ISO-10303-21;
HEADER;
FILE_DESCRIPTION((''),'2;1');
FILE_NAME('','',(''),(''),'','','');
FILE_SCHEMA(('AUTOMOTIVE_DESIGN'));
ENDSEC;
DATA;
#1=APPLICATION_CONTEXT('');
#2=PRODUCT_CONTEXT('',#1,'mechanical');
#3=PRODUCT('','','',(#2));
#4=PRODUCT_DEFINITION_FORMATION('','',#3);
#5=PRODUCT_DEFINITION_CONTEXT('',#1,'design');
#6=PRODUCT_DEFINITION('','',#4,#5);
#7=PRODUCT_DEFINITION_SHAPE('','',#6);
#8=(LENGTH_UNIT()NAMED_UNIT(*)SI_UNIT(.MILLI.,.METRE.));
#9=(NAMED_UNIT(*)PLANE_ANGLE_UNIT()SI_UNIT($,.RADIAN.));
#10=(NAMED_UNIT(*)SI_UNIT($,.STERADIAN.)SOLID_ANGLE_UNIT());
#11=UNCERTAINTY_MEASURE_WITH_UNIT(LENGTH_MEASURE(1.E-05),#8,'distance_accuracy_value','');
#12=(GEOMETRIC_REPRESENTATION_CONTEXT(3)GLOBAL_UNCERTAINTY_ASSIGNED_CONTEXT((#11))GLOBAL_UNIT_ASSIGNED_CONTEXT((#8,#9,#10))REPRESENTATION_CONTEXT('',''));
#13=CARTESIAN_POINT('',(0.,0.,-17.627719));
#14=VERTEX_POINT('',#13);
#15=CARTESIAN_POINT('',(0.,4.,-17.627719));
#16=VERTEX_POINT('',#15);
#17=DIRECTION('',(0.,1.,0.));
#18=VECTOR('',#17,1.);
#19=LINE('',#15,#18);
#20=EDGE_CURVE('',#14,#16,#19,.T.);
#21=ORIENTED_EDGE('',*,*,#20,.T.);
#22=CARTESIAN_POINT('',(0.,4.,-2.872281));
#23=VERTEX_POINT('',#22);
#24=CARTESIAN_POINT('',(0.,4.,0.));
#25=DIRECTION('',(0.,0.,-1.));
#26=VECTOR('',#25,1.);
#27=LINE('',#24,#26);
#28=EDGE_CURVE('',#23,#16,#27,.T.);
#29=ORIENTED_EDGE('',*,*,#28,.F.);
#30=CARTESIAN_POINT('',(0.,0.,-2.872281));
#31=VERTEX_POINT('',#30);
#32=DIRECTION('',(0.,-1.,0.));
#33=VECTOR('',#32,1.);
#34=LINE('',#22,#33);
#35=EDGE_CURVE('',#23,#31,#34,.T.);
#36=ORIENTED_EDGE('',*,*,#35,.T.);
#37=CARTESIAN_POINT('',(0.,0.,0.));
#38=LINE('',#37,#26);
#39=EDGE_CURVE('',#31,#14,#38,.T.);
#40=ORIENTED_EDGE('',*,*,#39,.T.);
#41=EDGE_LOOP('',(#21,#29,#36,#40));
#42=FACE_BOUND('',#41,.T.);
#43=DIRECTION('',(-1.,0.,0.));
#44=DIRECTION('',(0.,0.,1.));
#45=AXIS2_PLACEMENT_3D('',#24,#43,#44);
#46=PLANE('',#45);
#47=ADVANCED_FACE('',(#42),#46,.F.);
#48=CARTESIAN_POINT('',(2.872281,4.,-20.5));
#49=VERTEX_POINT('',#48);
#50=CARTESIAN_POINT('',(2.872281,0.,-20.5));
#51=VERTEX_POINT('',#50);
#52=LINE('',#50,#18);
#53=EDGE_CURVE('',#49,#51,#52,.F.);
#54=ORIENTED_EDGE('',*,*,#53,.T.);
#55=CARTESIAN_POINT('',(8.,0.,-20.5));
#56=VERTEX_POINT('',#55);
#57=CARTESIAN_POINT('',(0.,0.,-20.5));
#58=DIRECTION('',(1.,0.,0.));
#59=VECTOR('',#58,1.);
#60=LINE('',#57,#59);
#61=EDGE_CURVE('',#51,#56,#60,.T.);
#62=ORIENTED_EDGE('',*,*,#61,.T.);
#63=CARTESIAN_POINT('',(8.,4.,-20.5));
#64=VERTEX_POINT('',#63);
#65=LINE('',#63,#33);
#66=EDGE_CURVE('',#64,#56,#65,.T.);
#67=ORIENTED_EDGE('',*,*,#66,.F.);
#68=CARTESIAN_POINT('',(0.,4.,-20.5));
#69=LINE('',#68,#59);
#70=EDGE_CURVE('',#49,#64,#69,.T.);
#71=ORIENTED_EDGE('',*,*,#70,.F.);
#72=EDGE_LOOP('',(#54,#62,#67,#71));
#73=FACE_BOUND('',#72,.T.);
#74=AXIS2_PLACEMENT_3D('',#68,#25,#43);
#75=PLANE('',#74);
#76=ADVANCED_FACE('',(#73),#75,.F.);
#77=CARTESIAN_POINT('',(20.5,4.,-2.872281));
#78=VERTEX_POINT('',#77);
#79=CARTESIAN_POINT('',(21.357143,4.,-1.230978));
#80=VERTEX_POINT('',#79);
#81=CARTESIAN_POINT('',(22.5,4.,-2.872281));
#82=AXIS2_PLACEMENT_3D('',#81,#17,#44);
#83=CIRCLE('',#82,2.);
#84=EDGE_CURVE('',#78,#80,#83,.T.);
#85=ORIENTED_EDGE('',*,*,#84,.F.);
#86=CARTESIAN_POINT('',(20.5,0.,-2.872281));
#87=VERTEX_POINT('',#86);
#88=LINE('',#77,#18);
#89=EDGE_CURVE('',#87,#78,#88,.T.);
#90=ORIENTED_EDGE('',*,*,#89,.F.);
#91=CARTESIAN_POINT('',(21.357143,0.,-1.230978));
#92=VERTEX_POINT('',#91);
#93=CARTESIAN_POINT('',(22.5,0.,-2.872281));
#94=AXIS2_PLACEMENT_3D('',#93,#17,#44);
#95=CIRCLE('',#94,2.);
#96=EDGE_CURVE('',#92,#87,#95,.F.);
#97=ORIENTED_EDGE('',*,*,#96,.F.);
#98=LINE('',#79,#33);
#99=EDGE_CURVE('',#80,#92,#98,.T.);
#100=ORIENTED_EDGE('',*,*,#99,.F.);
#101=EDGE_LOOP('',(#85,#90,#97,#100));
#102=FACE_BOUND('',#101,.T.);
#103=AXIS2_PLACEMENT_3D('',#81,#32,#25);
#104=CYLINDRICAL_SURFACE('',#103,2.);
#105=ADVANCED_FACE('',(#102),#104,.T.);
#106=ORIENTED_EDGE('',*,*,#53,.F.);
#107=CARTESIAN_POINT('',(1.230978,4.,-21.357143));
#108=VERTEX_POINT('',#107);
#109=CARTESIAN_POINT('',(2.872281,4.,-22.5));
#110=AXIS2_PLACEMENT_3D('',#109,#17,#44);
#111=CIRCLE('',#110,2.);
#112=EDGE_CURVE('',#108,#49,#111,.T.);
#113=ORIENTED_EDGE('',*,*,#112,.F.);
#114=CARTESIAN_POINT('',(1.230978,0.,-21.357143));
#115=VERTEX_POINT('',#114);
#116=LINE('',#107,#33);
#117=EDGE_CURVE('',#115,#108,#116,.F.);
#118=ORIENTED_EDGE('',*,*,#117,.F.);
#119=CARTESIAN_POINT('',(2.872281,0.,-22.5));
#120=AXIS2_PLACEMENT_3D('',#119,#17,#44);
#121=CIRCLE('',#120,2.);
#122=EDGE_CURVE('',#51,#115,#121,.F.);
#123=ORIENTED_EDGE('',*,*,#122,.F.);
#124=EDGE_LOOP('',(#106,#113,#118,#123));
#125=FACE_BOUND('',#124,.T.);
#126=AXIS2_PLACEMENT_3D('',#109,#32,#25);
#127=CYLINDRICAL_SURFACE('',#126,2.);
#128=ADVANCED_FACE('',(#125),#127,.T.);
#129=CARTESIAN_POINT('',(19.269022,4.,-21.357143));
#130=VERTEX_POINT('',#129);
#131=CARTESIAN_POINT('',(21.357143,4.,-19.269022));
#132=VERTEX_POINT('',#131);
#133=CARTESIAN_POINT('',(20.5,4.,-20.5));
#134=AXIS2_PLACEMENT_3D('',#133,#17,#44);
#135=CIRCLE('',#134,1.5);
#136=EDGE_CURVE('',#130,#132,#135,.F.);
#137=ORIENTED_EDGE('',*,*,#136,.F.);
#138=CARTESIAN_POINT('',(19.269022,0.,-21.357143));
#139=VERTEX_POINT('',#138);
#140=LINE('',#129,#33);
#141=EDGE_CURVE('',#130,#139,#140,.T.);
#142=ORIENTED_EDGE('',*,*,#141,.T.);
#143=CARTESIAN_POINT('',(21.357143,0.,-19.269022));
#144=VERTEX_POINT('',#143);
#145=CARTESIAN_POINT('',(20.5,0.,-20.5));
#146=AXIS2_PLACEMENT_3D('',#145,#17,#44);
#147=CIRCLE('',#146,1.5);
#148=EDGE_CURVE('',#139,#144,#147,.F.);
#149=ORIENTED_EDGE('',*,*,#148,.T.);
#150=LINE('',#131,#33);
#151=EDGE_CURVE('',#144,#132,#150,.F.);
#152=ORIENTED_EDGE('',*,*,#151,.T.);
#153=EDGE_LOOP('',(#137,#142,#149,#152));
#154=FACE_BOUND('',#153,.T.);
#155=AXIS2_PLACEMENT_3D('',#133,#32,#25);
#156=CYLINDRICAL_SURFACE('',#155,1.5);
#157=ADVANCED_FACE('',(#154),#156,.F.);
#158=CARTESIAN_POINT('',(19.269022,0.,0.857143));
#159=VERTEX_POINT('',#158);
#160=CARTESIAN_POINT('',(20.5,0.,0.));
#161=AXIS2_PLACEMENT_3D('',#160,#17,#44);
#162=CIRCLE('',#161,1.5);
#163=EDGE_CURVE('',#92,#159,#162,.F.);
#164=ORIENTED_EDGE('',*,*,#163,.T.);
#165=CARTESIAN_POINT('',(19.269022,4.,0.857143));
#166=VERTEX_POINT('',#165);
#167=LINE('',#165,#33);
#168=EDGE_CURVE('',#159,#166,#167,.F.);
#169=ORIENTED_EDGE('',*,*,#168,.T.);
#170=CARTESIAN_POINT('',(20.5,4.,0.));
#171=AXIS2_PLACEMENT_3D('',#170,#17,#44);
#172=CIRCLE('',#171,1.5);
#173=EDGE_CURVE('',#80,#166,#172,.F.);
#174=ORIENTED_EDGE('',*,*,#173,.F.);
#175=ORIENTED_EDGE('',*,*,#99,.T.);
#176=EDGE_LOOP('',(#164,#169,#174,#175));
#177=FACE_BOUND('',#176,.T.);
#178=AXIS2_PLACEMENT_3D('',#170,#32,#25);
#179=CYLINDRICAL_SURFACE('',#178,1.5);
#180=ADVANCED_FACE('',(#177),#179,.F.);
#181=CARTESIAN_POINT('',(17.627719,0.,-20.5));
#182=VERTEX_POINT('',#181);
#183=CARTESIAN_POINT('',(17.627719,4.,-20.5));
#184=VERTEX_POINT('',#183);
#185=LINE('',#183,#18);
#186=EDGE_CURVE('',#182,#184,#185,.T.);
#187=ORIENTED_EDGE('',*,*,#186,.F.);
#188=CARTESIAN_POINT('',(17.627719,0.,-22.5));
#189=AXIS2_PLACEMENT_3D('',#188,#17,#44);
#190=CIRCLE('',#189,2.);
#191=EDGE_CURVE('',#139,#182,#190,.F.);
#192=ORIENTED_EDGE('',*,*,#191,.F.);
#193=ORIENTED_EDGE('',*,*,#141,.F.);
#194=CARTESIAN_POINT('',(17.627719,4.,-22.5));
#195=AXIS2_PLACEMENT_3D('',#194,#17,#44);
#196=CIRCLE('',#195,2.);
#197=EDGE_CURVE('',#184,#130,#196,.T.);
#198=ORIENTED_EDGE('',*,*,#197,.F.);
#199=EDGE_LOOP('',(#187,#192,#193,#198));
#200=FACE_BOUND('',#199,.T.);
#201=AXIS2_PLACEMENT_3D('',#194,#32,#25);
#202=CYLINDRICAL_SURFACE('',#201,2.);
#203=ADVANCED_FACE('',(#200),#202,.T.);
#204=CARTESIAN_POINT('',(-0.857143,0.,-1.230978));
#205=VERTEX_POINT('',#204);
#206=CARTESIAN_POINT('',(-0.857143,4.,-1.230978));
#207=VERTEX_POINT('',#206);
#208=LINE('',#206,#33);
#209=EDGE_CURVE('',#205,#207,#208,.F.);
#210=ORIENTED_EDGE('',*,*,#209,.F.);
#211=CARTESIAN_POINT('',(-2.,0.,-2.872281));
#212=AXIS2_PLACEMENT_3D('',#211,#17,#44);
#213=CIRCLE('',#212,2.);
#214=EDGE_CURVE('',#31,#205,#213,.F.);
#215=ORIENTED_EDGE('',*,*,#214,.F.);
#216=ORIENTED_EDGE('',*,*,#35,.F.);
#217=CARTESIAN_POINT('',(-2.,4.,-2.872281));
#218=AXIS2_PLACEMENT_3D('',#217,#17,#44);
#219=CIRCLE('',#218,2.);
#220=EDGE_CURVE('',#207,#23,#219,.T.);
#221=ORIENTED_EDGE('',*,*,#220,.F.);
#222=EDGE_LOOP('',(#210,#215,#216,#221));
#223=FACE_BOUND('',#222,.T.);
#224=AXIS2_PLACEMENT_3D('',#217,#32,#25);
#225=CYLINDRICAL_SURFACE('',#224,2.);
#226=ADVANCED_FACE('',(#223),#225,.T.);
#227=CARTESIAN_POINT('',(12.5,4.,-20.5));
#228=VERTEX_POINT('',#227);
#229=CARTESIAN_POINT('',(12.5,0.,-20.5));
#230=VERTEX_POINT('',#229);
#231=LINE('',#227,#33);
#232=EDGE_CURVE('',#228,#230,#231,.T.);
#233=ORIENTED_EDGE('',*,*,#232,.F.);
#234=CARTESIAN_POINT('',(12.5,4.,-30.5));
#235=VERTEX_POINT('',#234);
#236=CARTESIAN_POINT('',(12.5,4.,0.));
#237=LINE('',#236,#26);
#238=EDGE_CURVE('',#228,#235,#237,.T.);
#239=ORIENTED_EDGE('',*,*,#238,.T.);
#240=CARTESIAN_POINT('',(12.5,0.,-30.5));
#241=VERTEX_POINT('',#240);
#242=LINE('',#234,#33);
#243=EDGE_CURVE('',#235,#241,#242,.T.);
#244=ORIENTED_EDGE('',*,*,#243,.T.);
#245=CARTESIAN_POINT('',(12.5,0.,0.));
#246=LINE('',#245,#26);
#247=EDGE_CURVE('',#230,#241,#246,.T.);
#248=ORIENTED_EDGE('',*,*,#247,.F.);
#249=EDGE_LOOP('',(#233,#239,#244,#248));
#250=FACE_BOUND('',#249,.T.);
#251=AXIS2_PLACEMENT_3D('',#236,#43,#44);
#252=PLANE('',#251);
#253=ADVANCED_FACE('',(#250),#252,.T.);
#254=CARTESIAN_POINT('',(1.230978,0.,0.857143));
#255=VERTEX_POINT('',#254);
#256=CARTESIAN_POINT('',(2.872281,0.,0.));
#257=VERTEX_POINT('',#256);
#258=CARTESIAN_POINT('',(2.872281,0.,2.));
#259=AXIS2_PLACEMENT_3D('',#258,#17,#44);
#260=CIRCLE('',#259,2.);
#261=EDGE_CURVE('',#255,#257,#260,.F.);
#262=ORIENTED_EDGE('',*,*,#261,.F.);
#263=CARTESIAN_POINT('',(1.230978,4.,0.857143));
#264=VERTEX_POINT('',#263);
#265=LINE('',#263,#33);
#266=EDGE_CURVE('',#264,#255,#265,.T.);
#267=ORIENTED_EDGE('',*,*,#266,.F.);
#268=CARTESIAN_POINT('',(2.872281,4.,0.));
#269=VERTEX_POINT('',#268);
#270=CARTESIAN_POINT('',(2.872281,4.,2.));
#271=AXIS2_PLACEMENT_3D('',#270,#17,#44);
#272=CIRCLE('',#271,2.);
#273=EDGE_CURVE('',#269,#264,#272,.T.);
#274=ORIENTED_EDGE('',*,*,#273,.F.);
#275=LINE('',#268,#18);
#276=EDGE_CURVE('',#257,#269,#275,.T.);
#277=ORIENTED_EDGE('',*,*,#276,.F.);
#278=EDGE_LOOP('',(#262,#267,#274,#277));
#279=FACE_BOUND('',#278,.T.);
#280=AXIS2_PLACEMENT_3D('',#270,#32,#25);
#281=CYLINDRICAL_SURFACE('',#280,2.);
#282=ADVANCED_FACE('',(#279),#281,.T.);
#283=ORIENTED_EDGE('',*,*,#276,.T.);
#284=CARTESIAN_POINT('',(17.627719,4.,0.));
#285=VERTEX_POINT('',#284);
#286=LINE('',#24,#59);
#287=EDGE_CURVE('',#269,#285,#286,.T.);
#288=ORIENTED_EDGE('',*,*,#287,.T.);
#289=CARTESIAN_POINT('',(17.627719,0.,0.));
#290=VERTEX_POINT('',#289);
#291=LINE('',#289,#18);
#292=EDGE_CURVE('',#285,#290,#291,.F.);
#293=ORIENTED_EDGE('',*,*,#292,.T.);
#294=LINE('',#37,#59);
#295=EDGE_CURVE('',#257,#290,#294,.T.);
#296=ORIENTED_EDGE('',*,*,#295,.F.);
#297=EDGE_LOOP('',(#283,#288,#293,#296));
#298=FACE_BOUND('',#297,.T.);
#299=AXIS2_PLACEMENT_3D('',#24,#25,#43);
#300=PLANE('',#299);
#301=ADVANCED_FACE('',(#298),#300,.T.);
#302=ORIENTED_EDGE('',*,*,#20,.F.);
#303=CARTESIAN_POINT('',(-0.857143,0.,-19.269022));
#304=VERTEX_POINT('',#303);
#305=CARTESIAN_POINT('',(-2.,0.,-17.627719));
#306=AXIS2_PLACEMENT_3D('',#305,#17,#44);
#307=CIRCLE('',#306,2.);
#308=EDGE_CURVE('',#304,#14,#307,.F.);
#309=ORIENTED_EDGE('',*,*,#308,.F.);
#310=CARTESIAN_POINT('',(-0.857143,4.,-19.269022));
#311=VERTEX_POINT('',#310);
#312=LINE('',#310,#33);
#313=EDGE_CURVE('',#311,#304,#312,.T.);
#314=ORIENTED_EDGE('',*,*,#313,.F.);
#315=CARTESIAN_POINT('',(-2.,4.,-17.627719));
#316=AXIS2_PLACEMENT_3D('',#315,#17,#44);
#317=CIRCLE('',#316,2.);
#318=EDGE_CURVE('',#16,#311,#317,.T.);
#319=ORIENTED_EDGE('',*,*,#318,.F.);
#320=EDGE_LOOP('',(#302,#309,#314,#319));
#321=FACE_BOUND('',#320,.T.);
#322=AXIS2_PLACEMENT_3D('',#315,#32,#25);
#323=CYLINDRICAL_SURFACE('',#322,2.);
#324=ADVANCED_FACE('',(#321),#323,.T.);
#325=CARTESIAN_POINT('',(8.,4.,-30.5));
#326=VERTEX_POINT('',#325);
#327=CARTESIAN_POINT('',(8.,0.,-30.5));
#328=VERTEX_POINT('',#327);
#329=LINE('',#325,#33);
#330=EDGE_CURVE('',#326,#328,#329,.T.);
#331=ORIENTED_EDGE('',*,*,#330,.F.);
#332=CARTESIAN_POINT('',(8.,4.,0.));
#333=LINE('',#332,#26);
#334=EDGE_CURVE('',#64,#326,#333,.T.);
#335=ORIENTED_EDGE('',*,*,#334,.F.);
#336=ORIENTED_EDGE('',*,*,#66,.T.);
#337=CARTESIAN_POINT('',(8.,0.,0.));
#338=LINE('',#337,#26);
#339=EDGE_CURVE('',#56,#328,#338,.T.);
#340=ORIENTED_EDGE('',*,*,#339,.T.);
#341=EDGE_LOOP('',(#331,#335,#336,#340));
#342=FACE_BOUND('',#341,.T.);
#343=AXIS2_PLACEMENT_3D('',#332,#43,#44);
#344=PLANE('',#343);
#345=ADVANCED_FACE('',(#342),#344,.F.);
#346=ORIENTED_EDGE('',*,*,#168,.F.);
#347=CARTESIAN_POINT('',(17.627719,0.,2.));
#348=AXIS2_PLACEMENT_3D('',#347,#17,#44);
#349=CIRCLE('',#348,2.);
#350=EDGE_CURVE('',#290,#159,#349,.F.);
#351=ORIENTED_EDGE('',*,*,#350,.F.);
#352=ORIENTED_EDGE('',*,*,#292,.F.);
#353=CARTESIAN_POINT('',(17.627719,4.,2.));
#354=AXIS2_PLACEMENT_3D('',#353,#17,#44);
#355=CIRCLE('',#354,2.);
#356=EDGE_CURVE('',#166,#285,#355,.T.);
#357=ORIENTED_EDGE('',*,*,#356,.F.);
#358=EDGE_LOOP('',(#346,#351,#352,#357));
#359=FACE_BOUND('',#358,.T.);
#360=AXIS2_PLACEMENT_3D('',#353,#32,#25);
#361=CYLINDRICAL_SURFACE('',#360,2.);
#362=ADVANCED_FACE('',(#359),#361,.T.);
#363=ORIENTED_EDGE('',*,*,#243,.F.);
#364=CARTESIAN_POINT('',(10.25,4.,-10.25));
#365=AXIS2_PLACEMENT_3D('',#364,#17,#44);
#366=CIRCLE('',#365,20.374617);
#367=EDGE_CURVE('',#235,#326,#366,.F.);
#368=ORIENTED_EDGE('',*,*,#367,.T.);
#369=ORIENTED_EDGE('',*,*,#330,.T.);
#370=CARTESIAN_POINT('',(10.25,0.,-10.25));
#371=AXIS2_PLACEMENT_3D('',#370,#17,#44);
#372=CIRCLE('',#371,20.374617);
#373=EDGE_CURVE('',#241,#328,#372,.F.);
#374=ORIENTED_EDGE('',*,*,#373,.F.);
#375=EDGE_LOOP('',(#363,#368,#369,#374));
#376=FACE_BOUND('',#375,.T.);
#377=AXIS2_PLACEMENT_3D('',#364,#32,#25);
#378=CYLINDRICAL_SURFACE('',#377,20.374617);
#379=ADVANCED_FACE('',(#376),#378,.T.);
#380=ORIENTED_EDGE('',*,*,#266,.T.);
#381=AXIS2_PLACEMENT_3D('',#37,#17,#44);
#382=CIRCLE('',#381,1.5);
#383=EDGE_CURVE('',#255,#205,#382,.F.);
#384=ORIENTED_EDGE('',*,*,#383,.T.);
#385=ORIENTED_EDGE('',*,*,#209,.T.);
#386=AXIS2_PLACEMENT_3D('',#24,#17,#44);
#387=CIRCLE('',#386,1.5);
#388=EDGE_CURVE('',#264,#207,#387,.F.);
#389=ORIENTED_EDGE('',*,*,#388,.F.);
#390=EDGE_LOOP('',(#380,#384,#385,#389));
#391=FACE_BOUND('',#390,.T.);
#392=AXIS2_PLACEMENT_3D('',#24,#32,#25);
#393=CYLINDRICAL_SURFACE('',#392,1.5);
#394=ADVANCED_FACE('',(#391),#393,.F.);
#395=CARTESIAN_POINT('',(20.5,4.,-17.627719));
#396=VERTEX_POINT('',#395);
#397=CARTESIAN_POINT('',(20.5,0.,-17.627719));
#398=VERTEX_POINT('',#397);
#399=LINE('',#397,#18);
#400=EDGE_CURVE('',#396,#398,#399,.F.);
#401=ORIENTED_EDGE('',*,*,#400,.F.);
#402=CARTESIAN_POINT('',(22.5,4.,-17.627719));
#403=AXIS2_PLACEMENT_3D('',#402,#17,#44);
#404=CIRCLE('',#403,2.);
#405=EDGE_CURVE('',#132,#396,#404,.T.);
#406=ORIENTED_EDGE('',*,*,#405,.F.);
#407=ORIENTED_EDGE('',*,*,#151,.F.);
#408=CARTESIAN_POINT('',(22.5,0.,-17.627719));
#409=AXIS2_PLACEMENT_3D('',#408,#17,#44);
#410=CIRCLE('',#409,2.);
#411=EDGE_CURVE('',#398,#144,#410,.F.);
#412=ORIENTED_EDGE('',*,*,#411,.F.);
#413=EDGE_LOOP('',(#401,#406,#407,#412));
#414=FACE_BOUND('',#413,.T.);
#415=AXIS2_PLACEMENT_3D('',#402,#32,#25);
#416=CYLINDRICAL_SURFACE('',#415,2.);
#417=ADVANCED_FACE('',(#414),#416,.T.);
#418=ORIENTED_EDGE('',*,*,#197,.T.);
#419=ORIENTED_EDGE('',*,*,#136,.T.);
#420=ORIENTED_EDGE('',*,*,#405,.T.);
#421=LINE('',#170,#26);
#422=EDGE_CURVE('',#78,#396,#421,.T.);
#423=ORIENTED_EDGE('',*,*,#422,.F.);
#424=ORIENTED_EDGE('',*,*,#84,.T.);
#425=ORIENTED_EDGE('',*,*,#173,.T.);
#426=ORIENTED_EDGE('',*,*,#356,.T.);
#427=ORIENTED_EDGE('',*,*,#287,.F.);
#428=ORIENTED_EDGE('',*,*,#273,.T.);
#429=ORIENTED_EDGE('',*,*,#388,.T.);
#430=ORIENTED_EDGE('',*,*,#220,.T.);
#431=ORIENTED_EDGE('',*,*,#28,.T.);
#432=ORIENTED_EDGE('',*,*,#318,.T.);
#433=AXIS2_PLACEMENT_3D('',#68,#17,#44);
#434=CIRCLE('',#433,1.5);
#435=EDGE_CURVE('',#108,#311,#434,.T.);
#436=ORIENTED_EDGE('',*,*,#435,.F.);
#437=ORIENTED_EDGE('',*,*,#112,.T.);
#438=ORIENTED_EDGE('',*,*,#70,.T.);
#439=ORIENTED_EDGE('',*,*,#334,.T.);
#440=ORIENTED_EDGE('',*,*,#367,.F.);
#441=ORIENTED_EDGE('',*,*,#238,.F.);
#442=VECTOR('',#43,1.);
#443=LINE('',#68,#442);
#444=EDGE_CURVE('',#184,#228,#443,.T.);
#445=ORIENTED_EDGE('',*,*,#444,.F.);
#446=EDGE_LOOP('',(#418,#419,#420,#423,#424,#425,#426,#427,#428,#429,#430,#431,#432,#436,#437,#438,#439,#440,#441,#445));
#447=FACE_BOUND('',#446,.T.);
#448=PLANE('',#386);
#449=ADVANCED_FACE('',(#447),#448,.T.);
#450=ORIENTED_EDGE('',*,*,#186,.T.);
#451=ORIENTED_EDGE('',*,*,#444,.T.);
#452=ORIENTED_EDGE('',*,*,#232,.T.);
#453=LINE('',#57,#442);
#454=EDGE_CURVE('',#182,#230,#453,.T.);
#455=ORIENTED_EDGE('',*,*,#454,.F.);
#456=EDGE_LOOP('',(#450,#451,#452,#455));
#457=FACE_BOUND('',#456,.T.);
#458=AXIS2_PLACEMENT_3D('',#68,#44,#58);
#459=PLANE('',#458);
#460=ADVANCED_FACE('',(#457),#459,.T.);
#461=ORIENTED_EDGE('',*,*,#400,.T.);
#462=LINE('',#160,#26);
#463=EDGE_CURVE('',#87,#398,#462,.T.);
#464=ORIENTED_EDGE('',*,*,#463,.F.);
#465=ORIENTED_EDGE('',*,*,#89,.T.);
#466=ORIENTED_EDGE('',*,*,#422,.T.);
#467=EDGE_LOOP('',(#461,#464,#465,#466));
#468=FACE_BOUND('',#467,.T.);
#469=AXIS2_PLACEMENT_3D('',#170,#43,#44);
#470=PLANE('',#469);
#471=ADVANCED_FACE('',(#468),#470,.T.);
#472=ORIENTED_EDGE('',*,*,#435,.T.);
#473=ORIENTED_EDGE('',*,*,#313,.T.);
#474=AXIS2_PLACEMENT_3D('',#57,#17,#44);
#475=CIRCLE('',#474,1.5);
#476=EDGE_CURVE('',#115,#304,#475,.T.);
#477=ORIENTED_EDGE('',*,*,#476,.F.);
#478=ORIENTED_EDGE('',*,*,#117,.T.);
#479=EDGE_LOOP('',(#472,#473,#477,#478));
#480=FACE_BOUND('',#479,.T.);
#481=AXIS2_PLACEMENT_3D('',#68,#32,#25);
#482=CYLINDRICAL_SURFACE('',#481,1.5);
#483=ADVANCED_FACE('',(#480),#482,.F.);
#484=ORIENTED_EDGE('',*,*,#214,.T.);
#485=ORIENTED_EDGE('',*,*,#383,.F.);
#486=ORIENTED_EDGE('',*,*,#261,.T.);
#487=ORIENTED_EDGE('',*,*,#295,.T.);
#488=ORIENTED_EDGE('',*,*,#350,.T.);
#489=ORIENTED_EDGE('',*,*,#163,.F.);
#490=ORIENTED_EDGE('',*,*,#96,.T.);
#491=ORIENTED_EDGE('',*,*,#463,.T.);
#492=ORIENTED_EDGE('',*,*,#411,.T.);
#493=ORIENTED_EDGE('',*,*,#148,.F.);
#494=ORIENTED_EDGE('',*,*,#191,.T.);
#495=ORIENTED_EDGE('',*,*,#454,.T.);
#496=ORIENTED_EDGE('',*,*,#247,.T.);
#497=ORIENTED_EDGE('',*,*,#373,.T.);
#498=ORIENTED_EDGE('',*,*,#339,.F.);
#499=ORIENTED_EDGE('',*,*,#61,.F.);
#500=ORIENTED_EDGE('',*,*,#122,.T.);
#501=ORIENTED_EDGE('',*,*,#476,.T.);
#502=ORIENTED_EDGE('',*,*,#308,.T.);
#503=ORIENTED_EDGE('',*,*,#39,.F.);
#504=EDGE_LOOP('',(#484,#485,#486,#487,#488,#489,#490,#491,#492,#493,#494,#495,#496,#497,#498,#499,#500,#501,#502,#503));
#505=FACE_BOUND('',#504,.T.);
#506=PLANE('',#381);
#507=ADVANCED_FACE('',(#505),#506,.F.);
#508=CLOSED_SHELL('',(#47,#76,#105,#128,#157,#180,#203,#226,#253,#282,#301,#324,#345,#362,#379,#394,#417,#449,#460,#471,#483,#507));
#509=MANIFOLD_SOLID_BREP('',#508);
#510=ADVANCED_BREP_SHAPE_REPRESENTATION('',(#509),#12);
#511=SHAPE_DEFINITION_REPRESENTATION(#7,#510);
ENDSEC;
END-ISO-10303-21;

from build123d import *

# Parameters (mm, degrees)
BOSS_EXTRUDE1_DEPTH = 4
FILLET1_R           = 2


with BuildPart() as part:
    # Sketch1 → Boss-Extrude1 (new body)
    with BuildSketch(Plane(origin=(0, 0, 0), x_dir=(1, 0, 0), z_dir=(0, 1, 0))):
        with BuildLine():
            ThreePointArc((1.5, 0), (-1.060660172, -1.060660172), (0, 1.5))
            Line((0, 1.5), (0, 19))
            ThreePointArc((0, 19), (-1.060660172, 21.560660172), (1.5, 20.5))
            Line((1.5, 20.5), (8, 20.5))
            Line((8, 20.5), (8, 30.5))
            ThreePointArc((8, 30.5), (10.25, -10.124616561), (12.5, 30.5))
            Line((12.5, 30.5), (12.5, 20.5))
            Line((12.5, 20.5), (19, 20.5))
            ThreePointArc((19, 20.5), (21.560660172, 21.560660172), (20.5, 19))
            Line((20.5, 19), (20.5, 1.5))
            ThreePointArc((20.5, 1.5), (21.560660172, -1.060660172), (19, 0))
            Line((19, 0), (1.5, 0))
        make_face()
    extrude(amount=BOSS_EXTRUDE1_DEPTH)

    # Fillet1
    fillet1_edges = [part.edges().sort_by_distance(p)[0] for p in [
        (0, 2, -19),
        (0, 2, -1.5),
        (1.5, 2, 0),
        (19, 2, 0),
        (20.5, 2, -1.5),
        (20.5, 2, -19),
        (19, 2, -20.5),
        (1.5, 2, -20.5),
    ]]
    fillet(fillet1_edges, radius=FILLET1_R)


solid = part.part
